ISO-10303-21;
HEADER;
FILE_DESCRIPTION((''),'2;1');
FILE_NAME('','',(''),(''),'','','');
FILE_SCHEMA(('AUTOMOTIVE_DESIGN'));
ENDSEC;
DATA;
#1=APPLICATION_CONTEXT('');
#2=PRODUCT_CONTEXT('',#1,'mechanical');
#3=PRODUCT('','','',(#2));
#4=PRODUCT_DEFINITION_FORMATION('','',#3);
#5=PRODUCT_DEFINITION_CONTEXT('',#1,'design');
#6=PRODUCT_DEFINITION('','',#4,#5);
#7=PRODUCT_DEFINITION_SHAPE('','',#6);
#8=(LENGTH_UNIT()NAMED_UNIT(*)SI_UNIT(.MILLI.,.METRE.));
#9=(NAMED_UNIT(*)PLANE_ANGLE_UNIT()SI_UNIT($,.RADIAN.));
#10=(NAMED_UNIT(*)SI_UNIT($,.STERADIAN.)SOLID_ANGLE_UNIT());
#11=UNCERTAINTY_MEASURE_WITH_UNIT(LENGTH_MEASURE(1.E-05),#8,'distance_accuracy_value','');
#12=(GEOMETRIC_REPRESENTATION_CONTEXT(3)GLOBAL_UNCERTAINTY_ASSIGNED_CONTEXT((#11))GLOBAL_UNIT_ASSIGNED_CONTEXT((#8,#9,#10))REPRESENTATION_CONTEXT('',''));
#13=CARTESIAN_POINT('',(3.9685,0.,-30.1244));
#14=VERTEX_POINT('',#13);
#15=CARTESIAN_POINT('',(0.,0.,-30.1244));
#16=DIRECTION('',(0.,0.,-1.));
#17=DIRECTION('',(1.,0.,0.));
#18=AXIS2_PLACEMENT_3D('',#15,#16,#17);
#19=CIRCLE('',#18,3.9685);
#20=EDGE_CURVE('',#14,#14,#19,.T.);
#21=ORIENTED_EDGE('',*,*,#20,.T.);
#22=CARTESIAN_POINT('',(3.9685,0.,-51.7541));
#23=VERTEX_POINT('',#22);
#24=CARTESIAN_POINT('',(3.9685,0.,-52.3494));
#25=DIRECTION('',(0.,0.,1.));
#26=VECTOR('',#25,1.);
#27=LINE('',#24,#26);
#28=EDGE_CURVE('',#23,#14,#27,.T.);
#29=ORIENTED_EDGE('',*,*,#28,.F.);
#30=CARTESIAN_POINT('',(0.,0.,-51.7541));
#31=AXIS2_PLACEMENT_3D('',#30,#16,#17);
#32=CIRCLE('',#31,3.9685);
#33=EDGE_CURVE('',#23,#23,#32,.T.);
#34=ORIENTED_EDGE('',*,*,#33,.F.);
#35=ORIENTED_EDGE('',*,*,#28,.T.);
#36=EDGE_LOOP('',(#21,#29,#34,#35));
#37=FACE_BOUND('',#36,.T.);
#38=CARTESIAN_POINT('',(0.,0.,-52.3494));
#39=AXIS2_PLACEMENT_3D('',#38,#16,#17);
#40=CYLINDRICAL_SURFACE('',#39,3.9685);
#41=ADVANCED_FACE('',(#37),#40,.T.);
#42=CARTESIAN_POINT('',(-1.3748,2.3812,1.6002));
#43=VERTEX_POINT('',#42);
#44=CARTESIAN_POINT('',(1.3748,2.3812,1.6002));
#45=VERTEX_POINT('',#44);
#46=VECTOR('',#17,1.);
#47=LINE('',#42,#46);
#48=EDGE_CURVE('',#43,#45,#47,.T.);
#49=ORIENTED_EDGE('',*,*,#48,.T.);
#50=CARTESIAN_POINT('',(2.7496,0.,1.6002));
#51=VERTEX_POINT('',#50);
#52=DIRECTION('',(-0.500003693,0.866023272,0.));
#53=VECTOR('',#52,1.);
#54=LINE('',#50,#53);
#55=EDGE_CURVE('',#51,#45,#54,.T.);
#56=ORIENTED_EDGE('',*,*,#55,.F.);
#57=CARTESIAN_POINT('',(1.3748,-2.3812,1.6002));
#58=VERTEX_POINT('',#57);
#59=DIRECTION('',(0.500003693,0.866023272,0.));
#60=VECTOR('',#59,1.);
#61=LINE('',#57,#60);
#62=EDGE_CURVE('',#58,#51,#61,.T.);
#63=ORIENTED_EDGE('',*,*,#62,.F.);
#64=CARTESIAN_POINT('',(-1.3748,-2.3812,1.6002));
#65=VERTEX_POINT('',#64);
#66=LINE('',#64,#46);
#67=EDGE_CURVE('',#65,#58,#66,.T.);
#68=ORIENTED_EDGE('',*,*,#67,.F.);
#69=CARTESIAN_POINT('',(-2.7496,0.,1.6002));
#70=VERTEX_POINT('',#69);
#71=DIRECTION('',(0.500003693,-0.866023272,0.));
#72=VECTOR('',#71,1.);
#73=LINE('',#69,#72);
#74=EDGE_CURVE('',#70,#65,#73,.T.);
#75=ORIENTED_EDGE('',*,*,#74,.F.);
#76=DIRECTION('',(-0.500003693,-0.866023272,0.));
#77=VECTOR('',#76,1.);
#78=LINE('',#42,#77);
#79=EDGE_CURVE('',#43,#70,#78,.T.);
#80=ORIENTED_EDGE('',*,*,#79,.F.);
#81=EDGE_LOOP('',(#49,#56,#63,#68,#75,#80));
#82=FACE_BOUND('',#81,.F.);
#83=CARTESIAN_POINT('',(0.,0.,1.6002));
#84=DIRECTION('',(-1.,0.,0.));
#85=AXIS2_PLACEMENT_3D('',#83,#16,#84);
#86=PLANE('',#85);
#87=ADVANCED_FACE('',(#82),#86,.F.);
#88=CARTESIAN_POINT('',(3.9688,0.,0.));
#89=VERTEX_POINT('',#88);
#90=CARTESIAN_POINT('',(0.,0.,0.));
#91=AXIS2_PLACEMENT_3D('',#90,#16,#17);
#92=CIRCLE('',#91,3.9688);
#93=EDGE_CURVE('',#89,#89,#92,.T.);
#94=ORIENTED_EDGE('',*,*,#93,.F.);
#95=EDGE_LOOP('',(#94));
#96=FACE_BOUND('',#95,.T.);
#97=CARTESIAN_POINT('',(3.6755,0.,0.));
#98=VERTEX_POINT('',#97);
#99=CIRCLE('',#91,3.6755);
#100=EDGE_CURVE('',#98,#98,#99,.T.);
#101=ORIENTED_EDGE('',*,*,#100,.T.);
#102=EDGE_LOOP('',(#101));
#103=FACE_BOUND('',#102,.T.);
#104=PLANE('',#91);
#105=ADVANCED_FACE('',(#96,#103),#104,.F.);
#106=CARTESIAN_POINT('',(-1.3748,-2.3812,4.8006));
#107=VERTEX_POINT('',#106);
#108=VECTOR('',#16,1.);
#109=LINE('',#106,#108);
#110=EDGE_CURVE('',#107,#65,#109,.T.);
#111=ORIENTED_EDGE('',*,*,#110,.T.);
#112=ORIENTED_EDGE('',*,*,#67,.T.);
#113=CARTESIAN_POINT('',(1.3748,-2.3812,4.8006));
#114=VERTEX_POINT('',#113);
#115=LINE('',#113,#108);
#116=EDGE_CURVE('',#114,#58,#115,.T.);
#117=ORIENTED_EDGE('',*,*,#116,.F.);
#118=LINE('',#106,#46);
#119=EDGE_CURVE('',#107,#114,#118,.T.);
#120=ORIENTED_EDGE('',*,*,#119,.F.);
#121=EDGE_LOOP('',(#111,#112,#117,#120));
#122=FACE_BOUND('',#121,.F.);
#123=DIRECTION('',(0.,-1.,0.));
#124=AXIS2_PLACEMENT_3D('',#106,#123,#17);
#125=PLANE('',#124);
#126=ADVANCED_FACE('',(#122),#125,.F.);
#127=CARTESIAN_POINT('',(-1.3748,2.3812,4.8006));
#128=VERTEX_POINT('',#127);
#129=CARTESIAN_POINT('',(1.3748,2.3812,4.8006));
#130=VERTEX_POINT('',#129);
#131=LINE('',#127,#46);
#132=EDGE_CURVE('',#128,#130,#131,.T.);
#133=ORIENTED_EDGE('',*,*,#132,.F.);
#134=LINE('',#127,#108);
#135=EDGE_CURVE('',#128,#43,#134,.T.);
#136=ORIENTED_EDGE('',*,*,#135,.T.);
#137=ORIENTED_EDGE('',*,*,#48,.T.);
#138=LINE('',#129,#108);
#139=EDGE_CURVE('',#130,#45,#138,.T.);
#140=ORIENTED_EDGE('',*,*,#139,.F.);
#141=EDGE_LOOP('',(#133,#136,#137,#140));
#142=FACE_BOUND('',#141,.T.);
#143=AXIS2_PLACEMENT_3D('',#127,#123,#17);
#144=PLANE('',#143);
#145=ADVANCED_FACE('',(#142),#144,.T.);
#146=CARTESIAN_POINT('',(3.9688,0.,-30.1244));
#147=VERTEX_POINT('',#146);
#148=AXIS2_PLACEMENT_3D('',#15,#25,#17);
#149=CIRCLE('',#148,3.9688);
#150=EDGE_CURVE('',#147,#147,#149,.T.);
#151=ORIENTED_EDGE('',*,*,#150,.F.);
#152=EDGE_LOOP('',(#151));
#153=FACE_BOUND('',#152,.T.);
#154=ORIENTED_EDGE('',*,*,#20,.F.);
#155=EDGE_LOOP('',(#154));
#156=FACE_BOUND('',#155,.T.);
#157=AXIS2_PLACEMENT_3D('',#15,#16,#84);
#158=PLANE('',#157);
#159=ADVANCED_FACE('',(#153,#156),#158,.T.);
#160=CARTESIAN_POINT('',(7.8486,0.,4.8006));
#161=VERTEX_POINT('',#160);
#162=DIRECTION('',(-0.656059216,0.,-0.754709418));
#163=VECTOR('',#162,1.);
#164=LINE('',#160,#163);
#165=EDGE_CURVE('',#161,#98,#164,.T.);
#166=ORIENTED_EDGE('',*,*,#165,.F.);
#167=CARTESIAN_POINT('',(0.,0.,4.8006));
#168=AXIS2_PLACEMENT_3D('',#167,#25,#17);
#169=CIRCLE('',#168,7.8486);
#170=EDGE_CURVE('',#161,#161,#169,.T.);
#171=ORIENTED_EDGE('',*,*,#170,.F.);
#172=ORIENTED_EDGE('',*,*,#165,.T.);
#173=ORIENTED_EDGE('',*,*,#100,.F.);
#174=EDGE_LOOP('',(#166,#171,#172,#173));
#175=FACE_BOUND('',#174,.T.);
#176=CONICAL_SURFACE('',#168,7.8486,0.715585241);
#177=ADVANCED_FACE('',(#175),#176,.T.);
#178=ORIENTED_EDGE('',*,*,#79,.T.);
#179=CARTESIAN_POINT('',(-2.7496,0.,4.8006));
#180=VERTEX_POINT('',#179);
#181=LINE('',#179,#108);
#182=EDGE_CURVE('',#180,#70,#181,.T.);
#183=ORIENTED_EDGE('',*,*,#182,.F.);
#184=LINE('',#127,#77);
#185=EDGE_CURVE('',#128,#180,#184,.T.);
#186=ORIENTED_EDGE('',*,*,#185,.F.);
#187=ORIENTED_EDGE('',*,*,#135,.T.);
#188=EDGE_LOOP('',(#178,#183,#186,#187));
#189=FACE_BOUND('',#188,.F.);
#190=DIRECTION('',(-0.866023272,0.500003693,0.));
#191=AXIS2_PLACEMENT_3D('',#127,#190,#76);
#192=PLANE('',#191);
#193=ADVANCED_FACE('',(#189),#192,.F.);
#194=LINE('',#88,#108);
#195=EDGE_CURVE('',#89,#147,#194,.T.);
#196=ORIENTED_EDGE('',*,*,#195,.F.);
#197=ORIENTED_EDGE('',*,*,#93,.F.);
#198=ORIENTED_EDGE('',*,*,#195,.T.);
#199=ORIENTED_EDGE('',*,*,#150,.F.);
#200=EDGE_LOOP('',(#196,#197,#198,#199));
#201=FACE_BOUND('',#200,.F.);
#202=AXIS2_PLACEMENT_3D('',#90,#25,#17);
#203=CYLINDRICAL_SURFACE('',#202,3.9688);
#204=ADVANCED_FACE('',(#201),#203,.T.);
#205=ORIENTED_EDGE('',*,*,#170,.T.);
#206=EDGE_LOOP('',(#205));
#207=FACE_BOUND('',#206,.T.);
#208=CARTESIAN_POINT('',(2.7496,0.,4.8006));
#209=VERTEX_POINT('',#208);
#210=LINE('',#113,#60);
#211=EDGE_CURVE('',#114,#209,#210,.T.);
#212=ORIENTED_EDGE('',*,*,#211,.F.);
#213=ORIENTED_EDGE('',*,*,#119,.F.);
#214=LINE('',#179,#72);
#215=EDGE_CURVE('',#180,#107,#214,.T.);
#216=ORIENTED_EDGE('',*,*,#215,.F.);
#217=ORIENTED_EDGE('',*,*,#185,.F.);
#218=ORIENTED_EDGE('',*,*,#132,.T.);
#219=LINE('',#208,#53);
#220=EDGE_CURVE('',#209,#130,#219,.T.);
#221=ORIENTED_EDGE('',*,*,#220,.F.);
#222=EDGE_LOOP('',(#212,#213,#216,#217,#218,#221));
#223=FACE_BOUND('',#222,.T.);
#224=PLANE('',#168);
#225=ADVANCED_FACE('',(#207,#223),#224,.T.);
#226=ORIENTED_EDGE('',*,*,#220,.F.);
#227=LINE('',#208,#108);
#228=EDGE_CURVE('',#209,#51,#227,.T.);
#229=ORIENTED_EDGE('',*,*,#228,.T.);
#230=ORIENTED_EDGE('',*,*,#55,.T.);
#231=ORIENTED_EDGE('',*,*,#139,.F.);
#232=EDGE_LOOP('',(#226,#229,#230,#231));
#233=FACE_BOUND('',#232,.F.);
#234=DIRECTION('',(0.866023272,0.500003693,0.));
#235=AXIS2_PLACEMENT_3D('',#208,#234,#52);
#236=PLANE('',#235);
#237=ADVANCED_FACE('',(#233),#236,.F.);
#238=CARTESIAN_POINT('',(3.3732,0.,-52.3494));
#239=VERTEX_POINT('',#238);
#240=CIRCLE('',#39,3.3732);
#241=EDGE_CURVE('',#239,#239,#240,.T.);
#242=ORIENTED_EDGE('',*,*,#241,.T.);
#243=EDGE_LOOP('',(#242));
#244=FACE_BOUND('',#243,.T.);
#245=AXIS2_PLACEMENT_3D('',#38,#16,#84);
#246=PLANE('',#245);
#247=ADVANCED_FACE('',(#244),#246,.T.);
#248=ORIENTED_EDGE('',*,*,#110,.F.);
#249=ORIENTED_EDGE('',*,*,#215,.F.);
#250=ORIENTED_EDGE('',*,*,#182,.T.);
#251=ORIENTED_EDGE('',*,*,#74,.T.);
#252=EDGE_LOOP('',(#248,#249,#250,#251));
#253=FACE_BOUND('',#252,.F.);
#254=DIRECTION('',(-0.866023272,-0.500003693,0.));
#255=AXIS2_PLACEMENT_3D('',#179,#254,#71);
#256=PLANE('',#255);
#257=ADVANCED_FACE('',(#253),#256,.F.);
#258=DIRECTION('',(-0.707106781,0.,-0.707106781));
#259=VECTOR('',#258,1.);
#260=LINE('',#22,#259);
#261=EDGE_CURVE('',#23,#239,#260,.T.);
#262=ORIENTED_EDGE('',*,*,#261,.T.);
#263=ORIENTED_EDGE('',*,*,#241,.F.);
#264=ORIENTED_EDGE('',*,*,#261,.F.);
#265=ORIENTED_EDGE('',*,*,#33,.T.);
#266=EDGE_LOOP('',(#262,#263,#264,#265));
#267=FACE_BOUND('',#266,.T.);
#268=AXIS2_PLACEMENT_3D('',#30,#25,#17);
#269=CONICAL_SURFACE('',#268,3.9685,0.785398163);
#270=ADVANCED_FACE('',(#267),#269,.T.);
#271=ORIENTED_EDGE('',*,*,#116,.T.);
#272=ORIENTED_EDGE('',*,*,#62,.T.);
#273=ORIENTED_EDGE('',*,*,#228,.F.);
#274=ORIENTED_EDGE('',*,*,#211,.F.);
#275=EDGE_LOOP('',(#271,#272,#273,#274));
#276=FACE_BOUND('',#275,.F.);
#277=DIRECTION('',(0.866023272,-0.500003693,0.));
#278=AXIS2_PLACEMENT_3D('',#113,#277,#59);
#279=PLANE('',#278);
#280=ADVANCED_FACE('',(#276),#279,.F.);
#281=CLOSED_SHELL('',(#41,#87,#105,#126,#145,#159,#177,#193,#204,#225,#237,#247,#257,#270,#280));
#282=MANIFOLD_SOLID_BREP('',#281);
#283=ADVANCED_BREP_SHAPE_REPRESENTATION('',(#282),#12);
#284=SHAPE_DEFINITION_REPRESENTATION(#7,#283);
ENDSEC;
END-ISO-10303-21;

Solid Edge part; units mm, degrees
sketch "Sketch1" plane through (0, 0, 0) normal (0, 0, 1) x (1, 0, 0)
  circle A0 centre (0, 0) radius 7.8486
  dimension "D1" = 15.6972
extrude "Protrusion1" add sketch "Sketch1" along normal blind 4.8006
sketch "Sketch2" plane through (0, 0, 0) normal (0, 0, -1) x (1, 0, 0)
  circle A0 centre (0, 0) radius 3.9688
extrude "Protrusion2" add sketch "Sketch2" along normal blind 52.3494
sketch "Sketch3" plane through (0, 0, -52.3494) normal (0, 0, -1) x (1, 0, 0)
  circle A0 centre (0, 0) radius 3.9685
extrude "Cutout1" cut sketch "Sketch3" against normal blind 22.225 flip side to cut
chamfer "Chamfer_1" distance 0.5953 angle 45 1 edges at (-3.9685, 0, -52.3494)
sketch "Sketch4" plane through (0, 0, 4.8006) normal (0, 0, 1) x (1, 0, 0)
  line L0 (-1.3748, 2.3812) -> (1.3748, 2.3812)
  line L1 (2.7496, 0) -> (1.3748, 2.3812)
  line L2 (1.3748, -2.3812) -> (2.7496, 0)
  line L3 (-1.3748, -2.3812) -> (1.3748, -2.3812)
  line L4 (-2.7496, 0) -> (-1.3748, -2.3812)
  line L5 (-1.3748, 2.3812) -> (-2.7496, 0)
  dimension "D1" = 4.7625
extrude "Cutout2" cut sketch "Sketch4" against normal blind 3.2004
sketch "Sketch5" plane through (0, 0, 0) normal (0, -1, 0) x (1, 0, 0)
  line L0 (7.8486, 4.8006) -> (3.6755, 0)
  line L1 (3.6755, 0) -> (7.8486, 0)
  line L2 (7.8486, 0) -> (7.8486, 4.8006)
revolve "RevolvedCutout1" cut sketch "Sketch5" angle 360 about axis through (0, 0, 14.0017) along (0, 0, -1)
properties part number "185732"
